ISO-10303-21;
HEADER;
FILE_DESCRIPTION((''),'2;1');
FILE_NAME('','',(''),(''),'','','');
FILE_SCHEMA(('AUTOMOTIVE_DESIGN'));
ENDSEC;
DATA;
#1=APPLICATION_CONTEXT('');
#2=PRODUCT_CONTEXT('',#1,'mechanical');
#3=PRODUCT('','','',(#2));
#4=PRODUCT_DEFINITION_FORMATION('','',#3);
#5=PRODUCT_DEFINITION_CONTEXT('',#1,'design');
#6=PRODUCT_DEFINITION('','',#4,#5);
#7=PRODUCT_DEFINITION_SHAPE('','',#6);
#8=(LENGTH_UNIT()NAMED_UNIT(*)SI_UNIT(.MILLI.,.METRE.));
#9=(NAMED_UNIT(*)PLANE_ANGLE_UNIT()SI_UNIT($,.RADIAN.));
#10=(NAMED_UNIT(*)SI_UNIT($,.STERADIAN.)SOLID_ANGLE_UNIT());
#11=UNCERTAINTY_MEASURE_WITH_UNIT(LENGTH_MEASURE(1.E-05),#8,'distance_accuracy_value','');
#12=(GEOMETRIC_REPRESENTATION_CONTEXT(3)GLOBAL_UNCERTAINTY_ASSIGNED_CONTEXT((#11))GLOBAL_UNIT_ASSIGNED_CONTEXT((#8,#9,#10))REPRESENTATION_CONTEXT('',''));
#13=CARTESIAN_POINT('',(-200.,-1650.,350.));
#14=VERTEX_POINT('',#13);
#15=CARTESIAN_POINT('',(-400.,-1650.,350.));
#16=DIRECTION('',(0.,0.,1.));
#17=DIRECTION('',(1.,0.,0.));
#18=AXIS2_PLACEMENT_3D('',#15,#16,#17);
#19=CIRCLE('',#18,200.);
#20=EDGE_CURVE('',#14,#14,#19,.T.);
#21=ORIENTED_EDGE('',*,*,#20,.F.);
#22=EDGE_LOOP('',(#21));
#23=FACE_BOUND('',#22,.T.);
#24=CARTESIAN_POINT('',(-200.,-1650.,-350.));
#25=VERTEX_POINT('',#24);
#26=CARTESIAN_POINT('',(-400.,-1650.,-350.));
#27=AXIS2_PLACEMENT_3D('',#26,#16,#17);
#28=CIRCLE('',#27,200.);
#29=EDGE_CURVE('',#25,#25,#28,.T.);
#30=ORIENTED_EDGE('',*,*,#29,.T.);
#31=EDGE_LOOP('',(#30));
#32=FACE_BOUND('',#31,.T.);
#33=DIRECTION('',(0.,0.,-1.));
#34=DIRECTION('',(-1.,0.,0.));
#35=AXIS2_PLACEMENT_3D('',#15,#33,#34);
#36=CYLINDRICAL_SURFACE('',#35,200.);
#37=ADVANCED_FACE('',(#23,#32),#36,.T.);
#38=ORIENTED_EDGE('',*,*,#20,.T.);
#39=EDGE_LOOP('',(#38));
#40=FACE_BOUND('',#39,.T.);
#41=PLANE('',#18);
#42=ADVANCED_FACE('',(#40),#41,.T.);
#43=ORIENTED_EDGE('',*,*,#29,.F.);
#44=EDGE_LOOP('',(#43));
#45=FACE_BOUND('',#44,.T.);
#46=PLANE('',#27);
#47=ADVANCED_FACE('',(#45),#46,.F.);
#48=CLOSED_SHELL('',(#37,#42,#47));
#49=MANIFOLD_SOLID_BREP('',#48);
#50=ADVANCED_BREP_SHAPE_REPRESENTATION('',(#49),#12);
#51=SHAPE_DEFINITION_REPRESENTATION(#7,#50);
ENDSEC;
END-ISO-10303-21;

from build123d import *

# Parameters (mm, degrees)
BOSS_EXTRUDE1_START = -350
SKETCH1_R           = 200
BOSS_EXTRUDE1_DEPTH = 700


with BuildPart() as part:
    # Sketch1 → Boss-Extrude1 (new body)
    with BuildSketch(Plane.XY.offset(BOSS_EXTRUDE1_START)):
        with Locations((-400, -1650)):
            Circle(SKETCH1_R)
    extrude(amount=BOSS_EXTRUDE1_DEPTH)


solid = part.part
